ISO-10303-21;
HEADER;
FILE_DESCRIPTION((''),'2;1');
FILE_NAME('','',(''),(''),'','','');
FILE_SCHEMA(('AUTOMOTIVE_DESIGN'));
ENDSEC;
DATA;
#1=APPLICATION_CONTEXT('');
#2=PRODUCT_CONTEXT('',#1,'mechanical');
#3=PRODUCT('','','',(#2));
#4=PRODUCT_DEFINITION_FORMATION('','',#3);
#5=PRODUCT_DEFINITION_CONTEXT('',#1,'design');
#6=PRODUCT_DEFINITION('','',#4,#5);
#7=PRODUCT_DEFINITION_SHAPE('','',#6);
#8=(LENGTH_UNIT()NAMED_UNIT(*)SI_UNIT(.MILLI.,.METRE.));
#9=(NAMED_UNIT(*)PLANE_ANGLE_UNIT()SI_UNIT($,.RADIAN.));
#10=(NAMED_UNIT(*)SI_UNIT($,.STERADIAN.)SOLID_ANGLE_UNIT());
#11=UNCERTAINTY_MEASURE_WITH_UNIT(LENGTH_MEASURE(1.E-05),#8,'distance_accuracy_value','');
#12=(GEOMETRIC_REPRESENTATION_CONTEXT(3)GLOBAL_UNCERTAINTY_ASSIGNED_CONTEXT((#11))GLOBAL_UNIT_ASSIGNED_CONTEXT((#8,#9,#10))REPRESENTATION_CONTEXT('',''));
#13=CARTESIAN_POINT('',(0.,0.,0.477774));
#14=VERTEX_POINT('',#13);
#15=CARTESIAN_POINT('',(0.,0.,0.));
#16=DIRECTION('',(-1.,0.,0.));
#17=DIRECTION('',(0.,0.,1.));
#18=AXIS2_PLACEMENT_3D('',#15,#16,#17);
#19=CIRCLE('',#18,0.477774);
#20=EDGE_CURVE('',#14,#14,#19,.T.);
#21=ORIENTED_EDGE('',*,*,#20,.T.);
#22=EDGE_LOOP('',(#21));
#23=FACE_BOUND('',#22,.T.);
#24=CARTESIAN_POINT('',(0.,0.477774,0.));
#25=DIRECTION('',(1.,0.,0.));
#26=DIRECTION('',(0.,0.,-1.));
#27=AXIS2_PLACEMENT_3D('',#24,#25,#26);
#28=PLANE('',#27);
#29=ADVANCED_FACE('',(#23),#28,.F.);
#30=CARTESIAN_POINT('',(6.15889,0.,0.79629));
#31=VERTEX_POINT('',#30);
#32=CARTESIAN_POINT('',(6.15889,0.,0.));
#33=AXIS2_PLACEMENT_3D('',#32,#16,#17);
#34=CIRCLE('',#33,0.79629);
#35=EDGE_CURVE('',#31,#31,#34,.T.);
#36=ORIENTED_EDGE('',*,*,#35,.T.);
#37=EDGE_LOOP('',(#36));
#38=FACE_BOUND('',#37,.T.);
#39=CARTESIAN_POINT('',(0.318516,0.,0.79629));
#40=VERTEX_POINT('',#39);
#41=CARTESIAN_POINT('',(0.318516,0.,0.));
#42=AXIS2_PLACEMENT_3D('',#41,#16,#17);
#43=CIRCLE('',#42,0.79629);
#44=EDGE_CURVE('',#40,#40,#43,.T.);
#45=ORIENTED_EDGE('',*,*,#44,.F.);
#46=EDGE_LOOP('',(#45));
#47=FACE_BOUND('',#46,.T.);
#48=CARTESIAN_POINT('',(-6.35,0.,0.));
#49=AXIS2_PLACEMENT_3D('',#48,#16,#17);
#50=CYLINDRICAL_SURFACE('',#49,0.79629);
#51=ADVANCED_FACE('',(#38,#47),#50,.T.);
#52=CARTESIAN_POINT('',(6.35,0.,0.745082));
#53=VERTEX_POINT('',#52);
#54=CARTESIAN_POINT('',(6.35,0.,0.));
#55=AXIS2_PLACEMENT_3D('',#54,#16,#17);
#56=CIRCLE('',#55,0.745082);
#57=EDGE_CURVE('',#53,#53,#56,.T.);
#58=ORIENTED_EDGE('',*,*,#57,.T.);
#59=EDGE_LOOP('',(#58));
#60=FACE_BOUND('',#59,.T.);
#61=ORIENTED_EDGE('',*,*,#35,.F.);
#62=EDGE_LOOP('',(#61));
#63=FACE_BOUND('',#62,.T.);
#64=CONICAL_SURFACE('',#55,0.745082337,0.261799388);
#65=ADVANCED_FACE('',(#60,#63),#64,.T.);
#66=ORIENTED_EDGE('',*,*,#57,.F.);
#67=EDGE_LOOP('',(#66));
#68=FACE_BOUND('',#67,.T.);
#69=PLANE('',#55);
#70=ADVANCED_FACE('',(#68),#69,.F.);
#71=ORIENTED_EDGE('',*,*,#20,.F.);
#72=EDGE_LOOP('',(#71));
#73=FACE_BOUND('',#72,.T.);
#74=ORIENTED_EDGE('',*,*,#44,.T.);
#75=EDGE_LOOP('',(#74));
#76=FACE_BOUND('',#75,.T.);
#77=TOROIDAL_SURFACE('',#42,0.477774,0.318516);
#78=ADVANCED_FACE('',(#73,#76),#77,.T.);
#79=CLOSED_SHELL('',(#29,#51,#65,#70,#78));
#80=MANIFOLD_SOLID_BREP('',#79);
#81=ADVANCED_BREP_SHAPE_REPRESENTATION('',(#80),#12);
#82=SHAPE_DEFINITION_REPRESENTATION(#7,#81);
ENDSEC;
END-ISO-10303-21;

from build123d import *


with BuildPart() as part:
    # Sketch1 → Base-Revolve (revolve)
    with BuildSketch(Plane.XY, mode=Mode.PRIVATE) as base_revolve_sk:
        with BuildLine():
            Line((0, 0), (6.35, 0))
            Line((6.35, 0), (6.35, 0.745082337))
            Line((6.35, 0.745082337), (6.1588904, 0.79629))
            Line((6.1588904, 0.79629), (0.318516, 0.79629))
            ThreePointArc((0.318516, 0.79629), (0.093291176, 0.702998824), (0, 0.477774))
            Line((0, 0.477774), (0, 0))
        make_face()
    revolve(base_revolve_sk.sketch.rotate(Axis((-6.35, 0, 0), (1, 0, 0)), 90), axis=Axis((-6.35, 0, 0), (1, 0, 0)))


solid = part.part
